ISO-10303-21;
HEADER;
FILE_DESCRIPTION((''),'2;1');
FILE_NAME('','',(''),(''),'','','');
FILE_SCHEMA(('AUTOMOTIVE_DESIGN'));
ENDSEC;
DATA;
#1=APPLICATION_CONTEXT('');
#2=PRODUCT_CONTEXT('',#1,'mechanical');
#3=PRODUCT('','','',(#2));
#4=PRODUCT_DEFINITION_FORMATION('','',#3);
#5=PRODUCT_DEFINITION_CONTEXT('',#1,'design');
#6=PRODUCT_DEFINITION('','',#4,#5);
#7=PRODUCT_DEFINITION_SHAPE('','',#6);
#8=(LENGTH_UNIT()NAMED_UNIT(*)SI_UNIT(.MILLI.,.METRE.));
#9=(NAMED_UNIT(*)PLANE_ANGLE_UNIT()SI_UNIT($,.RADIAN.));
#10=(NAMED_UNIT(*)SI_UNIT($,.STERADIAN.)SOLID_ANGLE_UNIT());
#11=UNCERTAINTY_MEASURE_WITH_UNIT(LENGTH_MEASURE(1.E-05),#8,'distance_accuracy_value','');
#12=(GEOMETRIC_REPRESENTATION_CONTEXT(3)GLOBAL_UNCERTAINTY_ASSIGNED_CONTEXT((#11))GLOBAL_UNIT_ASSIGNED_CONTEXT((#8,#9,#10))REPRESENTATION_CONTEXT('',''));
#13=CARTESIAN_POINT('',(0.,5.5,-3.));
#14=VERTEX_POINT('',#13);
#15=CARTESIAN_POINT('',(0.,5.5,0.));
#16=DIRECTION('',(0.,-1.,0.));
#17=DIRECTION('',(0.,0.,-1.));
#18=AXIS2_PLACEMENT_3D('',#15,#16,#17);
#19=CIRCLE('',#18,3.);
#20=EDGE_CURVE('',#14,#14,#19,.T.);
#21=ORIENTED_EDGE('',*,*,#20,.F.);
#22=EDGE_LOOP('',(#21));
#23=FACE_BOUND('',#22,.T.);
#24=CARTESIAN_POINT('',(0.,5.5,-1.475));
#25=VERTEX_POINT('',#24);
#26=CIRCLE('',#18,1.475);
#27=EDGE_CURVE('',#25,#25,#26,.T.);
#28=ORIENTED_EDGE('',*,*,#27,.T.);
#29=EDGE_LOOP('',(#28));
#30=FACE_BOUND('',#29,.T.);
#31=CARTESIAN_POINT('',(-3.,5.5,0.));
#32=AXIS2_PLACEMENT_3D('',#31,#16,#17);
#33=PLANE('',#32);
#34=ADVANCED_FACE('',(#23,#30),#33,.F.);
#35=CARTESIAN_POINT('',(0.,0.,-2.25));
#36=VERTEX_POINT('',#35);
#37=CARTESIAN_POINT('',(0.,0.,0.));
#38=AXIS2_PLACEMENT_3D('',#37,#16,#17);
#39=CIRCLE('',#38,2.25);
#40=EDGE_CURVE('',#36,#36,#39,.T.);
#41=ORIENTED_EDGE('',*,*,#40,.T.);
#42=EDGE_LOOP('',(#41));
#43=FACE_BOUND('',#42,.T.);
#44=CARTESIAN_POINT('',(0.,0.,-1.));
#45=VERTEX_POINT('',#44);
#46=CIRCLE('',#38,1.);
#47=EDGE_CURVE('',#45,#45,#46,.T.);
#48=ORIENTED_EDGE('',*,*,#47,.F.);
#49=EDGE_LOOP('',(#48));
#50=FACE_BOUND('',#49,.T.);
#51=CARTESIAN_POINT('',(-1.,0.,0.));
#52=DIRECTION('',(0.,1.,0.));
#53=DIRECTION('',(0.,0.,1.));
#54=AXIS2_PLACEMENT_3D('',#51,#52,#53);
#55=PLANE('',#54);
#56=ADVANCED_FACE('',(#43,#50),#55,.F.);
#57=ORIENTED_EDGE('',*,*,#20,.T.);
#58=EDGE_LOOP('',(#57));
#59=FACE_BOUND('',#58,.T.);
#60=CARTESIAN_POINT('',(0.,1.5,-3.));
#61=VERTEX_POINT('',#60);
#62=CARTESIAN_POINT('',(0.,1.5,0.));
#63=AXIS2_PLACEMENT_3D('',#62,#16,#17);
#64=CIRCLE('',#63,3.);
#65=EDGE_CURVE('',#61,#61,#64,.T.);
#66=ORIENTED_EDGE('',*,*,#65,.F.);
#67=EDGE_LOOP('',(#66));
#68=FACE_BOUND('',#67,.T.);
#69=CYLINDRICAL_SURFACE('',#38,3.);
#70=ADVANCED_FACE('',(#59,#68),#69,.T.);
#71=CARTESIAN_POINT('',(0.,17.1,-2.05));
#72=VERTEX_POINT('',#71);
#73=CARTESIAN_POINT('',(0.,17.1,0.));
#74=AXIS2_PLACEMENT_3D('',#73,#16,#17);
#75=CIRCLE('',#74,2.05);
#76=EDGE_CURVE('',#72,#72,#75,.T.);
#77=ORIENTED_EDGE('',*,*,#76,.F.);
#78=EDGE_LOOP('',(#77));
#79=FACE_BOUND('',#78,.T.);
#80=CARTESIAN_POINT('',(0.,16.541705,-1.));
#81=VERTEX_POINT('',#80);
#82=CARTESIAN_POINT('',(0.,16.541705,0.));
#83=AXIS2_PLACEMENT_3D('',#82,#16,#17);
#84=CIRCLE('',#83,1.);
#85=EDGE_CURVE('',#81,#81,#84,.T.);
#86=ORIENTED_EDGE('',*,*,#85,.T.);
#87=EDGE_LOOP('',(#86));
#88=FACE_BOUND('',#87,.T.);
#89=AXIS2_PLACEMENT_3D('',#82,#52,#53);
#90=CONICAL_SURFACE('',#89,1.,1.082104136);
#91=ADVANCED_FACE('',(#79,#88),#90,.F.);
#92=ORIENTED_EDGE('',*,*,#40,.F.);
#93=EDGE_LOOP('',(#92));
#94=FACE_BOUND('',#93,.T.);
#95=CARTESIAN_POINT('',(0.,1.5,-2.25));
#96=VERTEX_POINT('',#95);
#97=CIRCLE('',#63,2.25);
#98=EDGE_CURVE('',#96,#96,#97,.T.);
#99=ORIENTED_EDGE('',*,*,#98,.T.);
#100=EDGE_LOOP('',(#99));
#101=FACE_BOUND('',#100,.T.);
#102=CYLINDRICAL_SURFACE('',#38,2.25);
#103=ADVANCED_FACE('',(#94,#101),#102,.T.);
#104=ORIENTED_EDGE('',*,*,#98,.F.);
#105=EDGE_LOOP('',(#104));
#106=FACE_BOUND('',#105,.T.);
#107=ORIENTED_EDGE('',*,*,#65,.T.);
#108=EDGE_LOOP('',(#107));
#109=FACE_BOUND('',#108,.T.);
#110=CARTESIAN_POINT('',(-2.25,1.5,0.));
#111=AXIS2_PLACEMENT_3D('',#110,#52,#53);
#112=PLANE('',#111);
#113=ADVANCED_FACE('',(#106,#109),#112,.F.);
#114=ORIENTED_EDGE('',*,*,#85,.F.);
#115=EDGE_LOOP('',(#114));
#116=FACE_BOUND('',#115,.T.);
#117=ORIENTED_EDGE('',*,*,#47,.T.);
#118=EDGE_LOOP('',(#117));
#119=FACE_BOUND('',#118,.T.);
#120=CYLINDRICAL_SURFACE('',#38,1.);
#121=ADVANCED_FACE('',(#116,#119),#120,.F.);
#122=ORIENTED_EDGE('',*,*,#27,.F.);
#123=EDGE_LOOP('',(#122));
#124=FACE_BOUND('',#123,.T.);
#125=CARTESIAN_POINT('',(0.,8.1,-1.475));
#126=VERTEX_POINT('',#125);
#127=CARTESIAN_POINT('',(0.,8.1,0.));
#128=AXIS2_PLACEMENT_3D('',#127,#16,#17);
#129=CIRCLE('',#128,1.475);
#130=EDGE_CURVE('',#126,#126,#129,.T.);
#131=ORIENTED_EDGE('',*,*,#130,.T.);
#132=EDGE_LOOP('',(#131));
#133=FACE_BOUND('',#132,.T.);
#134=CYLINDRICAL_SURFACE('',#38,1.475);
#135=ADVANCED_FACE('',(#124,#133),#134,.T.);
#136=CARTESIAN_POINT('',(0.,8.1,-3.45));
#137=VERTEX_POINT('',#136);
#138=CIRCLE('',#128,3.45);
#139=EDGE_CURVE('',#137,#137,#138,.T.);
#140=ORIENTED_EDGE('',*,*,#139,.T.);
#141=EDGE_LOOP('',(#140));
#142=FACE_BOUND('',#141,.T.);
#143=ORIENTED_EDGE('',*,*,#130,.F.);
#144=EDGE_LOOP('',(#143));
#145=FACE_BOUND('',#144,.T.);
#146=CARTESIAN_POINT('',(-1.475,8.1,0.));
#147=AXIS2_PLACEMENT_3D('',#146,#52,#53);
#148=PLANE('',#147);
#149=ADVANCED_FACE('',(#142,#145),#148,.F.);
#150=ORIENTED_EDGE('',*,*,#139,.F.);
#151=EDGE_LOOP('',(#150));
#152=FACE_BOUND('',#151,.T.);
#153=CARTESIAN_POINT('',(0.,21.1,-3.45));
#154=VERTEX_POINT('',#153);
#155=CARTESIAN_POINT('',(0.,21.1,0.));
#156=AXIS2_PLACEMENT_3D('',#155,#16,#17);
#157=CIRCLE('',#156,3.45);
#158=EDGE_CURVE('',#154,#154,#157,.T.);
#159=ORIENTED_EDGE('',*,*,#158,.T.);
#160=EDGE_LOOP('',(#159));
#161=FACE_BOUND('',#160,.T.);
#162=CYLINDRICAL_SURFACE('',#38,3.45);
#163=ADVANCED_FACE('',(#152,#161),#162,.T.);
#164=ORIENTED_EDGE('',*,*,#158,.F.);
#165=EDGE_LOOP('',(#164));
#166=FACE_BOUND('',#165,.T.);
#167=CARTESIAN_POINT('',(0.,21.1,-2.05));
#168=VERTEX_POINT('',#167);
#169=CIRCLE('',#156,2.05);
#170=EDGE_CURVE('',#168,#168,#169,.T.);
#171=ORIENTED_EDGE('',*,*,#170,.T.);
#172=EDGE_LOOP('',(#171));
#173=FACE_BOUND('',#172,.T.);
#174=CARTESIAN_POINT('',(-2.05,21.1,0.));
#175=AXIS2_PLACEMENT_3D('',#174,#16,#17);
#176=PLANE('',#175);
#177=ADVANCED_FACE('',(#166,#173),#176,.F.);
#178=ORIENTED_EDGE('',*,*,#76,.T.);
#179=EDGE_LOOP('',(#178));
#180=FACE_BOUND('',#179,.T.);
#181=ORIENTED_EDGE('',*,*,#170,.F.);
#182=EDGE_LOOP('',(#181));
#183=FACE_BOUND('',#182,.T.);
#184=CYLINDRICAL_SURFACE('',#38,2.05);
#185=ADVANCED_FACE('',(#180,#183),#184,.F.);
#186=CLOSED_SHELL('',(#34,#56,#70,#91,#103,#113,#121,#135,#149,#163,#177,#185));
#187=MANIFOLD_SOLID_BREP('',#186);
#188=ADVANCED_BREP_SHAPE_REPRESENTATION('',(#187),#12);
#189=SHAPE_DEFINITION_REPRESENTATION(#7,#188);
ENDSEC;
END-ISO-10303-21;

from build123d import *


with BuildPart() as part:
    # Sketch2 → Revolve1 (revolve)
    with BuildSketch(Plane.XY):
        Polygon((-1, 0), (-2.25, 0), (-2.25, 1.5), (-3, 1.5), (-3, 5.5), (-1.475, 5.5), (-1.475, 8.1), (-3.45, 8.1), (-3.45, 21.1), (-2.05, 21.1), (-2.05, 17.1), (-1, 16.541705097), align=None)
    revolve(axis=Axis((0, 0, 0), (0, 1, 0)))


solid = part.part
